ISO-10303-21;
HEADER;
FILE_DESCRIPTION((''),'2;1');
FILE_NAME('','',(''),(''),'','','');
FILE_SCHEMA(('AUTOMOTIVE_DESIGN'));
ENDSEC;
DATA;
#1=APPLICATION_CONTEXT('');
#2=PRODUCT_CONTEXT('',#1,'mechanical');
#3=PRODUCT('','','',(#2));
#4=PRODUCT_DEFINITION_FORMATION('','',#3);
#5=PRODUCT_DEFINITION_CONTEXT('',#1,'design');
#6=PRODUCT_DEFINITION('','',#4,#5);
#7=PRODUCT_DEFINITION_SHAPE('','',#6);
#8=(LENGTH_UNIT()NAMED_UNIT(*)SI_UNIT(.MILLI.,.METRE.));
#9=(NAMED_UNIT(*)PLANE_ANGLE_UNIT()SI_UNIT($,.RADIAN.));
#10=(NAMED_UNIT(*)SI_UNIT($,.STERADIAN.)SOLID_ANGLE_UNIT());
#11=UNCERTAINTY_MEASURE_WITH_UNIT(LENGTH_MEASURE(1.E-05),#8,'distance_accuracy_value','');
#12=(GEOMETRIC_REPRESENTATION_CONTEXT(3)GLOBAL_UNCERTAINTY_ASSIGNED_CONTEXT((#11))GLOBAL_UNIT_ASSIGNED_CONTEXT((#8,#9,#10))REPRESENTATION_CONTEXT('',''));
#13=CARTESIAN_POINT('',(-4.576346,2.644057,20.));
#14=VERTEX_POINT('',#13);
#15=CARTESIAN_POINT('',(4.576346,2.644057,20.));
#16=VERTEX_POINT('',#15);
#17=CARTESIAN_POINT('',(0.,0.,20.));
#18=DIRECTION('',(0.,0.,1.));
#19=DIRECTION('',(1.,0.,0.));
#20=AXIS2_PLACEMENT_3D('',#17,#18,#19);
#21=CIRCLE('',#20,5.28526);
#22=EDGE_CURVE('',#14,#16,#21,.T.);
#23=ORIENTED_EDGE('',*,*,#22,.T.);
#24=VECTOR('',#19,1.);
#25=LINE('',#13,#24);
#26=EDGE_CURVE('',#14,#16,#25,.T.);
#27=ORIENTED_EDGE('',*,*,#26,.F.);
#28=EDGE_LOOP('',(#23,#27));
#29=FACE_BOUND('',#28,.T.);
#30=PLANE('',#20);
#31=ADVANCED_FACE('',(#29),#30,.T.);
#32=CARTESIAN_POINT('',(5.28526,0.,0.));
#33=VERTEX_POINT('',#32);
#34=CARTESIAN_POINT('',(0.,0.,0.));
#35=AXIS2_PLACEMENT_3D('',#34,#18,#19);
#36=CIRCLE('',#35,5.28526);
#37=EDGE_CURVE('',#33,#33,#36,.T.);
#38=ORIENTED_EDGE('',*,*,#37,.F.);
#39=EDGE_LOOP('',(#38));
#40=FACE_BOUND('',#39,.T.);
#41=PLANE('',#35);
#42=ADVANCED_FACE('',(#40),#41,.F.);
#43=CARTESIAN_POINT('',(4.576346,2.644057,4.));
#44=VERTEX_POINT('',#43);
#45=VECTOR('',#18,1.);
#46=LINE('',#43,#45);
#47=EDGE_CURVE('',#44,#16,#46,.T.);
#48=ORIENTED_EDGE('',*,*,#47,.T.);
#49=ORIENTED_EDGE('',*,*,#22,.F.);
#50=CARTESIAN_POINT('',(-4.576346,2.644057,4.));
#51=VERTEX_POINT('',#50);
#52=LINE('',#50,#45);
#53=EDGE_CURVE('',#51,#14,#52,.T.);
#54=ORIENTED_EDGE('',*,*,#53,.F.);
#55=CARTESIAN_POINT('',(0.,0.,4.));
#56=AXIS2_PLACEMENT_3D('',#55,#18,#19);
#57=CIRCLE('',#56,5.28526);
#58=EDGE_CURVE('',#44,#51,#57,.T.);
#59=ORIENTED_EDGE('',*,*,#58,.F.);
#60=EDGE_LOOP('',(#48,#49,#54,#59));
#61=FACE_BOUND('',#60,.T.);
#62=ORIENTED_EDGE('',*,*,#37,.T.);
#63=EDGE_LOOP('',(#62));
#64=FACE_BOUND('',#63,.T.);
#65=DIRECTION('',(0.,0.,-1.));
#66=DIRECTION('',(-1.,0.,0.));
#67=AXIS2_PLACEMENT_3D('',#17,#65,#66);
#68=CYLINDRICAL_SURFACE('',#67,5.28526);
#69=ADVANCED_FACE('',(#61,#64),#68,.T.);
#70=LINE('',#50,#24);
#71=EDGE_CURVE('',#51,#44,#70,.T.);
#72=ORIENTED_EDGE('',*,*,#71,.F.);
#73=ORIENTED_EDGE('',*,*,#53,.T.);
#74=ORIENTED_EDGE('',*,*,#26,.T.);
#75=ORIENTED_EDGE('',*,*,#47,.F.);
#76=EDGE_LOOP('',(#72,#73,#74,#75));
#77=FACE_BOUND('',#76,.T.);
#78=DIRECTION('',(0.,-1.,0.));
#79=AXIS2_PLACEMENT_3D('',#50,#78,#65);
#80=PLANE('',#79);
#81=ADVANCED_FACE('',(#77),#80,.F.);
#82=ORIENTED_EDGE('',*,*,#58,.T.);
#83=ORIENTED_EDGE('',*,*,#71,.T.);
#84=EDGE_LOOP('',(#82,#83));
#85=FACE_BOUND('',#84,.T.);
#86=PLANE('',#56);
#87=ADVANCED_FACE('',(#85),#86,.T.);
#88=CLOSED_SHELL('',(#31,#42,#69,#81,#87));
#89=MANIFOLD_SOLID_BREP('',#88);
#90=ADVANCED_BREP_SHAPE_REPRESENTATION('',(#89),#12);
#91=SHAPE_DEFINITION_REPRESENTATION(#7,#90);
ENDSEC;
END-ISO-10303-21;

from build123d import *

# Parameters (mm, degrees)
SKETCH1_R           = 5.285260403
BOSS_EXTRUDE1_DEPTH = 20
CUT_EXTRUDE8_DEPTH  = 16


with BuildPart() as part:
    # Sketch1 → Boss-Extrude1 (new body)
    with BuildSketch(Plane.XY):
        Circle(SKETCH1_R)
    extrude(amount=BOSS_EXTRUDE1_DEPTH)

    # Sketch4 → Cut-Extrude8 (cut)
    with BuildSketch(Plane.XY.offset(20)):
        with BuildLine():
            Line((-4.576345902, 2.644056678), (4.576345902, 2.644056678))
            ThreePointArc((4.576345902, 2.644056678), (0, 5.285260403), (-4.576345902, 2.644056678))
        make_face()
    extrude(amount=-CUT_EXTRUDE8_DEPTH, mode=Mode.SUBTRACT)


solid = part.part
